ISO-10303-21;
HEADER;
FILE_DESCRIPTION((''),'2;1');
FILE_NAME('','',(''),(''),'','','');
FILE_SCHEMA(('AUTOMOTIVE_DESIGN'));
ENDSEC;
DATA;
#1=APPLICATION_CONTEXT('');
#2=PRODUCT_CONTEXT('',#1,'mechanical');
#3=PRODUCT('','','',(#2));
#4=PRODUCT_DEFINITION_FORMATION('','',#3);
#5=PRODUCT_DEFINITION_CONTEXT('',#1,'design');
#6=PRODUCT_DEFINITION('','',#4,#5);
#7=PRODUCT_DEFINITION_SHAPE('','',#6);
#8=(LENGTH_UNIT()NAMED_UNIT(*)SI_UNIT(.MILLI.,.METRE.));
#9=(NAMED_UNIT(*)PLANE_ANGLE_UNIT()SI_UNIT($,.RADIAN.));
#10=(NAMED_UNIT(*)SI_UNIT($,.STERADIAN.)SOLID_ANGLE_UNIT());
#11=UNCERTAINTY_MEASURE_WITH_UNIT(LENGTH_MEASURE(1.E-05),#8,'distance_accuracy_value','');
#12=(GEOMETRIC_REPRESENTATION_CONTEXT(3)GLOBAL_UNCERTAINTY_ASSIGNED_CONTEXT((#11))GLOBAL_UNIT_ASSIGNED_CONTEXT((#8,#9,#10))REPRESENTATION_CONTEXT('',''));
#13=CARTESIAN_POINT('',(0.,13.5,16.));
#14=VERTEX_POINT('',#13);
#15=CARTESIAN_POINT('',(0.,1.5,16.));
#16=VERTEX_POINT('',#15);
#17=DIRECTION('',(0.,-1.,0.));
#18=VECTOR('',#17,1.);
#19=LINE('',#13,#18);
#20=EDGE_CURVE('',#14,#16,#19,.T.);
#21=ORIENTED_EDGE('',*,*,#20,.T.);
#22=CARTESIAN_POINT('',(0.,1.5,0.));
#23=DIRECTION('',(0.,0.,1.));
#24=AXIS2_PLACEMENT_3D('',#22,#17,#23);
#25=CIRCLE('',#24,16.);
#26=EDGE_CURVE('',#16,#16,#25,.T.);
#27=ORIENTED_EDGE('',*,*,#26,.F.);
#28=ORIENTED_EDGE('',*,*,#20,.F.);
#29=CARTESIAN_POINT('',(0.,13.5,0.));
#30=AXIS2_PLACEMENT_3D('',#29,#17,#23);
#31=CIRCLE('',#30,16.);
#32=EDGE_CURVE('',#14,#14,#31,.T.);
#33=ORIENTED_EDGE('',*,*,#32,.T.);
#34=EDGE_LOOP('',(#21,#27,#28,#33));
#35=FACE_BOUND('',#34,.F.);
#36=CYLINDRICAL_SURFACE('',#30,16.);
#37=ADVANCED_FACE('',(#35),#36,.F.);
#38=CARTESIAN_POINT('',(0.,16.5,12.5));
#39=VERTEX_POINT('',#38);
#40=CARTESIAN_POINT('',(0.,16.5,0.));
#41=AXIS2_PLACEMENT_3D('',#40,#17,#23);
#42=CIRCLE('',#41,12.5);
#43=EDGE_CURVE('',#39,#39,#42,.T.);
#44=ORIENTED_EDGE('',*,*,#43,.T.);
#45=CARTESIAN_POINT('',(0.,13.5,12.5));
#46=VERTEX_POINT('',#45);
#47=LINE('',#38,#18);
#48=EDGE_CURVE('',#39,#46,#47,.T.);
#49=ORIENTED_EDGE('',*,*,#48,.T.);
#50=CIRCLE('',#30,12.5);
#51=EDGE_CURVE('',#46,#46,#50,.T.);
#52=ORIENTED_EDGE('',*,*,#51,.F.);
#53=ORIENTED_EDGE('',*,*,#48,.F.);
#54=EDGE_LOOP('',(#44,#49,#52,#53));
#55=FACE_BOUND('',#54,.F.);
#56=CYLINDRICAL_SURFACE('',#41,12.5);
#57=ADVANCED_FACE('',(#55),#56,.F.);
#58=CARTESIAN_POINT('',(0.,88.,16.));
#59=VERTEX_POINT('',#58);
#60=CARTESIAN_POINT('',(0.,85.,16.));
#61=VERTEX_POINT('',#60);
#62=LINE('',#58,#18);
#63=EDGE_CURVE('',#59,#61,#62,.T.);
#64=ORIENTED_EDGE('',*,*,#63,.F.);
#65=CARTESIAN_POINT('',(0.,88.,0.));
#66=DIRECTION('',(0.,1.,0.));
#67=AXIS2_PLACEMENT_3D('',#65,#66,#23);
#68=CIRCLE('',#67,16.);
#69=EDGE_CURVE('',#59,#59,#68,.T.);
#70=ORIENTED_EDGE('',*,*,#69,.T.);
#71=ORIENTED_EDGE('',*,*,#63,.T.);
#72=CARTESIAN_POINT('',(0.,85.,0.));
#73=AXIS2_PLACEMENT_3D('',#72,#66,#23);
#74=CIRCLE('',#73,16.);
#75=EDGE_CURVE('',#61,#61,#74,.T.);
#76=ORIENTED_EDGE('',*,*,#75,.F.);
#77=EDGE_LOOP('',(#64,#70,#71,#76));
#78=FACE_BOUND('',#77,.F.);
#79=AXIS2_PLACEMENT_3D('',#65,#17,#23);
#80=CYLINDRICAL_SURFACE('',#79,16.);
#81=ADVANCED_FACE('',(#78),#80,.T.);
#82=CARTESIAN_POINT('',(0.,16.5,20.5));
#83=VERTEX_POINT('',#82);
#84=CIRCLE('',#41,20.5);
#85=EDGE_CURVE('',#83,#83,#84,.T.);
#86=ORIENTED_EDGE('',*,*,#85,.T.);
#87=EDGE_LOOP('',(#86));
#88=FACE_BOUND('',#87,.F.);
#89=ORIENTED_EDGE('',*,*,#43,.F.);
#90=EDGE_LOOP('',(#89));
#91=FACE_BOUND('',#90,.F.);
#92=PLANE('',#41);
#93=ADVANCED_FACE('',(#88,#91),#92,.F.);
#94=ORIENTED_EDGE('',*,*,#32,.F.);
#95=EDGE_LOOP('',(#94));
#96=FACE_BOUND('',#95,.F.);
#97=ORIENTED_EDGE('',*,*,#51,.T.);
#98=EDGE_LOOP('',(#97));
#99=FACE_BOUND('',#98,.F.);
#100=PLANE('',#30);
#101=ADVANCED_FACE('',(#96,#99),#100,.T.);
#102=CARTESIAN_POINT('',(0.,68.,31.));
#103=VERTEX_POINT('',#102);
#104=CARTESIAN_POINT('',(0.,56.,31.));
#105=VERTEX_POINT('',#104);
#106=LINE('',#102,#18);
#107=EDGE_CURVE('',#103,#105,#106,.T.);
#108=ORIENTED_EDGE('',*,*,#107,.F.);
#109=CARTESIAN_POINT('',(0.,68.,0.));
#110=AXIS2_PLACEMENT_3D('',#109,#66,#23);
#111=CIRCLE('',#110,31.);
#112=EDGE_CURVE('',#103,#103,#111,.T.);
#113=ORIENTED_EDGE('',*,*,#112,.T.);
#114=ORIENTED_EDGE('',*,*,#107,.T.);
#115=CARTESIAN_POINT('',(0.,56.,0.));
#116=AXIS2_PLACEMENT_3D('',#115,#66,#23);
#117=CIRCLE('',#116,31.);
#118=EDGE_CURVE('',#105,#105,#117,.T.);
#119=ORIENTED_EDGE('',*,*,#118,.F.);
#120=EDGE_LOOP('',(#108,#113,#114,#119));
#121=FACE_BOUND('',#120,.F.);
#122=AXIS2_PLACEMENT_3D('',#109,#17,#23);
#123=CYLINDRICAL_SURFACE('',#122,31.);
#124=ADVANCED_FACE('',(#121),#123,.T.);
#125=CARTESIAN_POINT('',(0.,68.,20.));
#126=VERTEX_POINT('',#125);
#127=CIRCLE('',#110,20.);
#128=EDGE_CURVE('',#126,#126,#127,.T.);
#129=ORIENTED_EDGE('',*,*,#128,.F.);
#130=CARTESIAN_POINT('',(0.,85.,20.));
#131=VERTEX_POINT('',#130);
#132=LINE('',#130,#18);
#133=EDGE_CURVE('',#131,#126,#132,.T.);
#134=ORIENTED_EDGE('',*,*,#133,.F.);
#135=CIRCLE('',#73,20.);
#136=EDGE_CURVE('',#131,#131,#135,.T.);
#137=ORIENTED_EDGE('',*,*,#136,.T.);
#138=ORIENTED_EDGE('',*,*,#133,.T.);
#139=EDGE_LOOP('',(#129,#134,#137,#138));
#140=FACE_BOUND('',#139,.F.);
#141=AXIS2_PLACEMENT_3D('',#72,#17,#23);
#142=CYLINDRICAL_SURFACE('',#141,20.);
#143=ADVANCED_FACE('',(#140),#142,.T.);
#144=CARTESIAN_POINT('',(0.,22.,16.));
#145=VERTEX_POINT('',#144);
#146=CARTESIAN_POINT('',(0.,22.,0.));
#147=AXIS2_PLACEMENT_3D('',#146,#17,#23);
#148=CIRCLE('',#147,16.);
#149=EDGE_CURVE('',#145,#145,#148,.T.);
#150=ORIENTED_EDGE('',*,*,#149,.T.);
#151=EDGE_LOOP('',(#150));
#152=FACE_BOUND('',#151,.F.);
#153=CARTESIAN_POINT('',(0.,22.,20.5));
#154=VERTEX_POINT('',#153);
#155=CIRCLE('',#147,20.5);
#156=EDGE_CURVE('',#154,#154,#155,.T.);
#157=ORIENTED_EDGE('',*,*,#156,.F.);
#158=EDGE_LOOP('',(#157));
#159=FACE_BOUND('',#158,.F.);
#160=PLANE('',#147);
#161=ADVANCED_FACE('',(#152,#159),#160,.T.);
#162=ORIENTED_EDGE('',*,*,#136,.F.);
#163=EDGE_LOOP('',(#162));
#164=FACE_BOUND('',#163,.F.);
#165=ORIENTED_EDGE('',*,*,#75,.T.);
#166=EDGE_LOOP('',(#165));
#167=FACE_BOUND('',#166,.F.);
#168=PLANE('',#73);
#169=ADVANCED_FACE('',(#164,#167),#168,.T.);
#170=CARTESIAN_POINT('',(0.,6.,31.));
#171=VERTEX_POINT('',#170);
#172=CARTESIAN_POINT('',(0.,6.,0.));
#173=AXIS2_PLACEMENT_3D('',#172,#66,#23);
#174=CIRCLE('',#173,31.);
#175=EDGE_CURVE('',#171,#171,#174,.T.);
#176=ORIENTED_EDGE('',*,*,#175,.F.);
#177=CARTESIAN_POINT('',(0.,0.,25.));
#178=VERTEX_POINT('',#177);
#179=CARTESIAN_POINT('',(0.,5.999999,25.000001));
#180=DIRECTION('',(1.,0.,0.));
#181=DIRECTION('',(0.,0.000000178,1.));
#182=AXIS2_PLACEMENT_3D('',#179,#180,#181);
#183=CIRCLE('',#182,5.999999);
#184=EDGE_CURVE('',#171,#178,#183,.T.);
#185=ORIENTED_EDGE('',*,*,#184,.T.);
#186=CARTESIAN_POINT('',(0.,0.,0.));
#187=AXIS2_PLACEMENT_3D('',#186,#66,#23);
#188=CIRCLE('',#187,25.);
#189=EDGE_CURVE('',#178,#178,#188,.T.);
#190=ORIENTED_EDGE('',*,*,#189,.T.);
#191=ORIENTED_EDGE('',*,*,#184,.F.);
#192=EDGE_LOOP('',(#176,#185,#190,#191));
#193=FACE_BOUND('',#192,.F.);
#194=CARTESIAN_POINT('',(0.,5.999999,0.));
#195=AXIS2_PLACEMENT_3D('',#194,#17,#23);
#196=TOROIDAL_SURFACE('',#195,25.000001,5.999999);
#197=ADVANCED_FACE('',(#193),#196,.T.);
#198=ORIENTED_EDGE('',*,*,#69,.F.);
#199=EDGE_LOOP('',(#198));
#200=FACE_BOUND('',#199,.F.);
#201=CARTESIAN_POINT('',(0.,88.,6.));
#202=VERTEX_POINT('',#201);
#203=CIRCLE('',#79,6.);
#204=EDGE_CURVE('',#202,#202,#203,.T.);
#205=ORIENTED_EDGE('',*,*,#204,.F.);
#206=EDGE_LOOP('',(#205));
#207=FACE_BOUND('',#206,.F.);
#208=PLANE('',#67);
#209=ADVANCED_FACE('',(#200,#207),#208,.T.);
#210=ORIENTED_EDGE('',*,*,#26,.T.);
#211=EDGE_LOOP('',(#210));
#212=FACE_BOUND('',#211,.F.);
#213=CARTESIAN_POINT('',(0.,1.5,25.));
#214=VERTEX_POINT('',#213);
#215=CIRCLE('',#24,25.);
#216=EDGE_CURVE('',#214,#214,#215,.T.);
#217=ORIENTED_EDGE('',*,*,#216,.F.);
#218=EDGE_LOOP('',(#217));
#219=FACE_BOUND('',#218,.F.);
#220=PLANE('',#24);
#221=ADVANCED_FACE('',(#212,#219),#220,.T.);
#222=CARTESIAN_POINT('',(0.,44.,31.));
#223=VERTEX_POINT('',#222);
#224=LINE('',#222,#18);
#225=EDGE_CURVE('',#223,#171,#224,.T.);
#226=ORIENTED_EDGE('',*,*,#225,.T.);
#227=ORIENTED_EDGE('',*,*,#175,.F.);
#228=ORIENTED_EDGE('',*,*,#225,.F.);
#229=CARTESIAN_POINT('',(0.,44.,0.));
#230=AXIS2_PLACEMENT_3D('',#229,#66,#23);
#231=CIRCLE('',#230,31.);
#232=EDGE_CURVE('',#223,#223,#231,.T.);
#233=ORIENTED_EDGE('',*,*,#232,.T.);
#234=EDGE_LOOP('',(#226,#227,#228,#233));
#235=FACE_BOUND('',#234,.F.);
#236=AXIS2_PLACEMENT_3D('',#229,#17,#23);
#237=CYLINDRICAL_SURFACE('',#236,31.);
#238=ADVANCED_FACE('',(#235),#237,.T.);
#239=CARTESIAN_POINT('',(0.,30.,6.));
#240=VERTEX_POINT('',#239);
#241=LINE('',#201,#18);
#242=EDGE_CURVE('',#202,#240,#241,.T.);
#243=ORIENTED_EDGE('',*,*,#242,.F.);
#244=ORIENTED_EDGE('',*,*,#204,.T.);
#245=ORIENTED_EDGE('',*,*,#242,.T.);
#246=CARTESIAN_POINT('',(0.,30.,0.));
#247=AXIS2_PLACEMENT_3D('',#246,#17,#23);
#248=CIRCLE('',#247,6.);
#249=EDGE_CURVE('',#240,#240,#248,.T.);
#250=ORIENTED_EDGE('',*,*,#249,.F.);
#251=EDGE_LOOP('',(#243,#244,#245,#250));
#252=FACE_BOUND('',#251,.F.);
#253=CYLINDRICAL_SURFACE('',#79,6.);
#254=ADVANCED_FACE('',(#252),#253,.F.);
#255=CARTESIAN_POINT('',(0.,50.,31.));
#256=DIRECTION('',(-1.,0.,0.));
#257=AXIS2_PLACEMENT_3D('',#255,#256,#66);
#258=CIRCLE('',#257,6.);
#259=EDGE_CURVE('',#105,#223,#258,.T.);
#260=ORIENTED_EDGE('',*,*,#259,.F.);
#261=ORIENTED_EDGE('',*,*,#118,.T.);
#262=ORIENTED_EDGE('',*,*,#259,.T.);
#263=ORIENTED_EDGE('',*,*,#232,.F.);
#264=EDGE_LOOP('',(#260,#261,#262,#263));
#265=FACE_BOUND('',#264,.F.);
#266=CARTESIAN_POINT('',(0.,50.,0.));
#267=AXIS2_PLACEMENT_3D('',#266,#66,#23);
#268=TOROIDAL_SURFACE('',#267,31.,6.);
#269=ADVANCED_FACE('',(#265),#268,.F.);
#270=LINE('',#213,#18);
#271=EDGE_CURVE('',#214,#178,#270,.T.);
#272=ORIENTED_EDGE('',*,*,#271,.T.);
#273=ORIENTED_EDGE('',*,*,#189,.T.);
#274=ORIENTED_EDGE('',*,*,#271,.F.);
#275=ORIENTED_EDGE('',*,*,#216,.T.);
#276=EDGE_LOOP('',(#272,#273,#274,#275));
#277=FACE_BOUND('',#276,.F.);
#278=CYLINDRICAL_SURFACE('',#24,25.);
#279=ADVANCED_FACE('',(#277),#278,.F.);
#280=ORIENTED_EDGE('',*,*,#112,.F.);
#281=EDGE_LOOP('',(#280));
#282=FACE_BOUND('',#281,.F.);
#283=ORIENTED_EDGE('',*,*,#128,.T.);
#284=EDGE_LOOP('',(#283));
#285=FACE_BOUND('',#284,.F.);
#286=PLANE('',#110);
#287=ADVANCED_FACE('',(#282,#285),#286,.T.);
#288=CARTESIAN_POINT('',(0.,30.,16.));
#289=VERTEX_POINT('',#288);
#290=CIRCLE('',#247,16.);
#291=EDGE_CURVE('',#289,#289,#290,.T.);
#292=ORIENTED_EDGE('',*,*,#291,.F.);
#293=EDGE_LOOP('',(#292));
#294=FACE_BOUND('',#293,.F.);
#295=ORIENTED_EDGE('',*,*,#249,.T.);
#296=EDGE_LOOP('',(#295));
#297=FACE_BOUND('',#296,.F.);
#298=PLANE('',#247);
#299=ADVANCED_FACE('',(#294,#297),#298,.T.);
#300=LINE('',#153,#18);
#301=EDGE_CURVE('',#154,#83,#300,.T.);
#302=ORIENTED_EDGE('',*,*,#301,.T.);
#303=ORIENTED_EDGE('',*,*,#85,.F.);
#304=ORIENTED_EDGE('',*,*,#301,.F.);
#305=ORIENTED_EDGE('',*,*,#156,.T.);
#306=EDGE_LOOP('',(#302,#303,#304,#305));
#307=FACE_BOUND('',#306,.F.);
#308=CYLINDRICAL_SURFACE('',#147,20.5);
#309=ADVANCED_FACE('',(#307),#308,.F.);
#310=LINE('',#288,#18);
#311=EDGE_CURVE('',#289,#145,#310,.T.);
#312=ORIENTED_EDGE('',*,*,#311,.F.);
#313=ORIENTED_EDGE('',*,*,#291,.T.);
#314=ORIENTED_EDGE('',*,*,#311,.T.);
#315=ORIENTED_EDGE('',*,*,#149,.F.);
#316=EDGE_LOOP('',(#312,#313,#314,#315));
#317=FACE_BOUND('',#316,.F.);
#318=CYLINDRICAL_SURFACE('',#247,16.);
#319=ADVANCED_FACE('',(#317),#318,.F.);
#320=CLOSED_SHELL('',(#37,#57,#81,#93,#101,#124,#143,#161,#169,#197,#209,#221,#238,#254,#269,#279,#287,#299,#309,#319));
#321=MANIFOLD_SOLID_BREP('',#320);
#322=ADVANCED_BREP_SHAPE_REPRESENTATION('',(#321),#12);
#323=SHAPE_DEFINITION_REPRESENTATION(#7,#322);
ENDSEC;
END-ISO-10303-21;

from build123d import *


with BuildPart() as f1:
    # F0 (on Right) → F1 (revolve)
    with BuildSketch(Plane.YZ):
        with BuildLine():
            Line((0, 25), (0, 0))
            Line((0, 0), (88, 0))
            Line((88, 0), (88, 16))
            Line((88, 16), (85, 16))
            Line((85, 16), (85, 20))
            Line((85, 20), (68, 20))
            Line((68, 20), (68, 31))
            Line((68, 31), (56, 31))
            ThreePointArc((56, 31), (50, 25), (44, 31))
            Line((44, 31), (6, 31))
            ThreePointArc((6, 31), (1.757359, 29.242641), (0, 25))
        make_face()
    revolve(axis=Axis((0, 61.81017, 0), (0, 1, 0)))

    # F2 (on Right) → F3 (revolve, cut)
    with BuildSketch(Plane.YZ):
        Polygon((13.5, 12.5), (13.5, 16), (1.5, 16), (1.5, 0), (88, 0), (88, 6), (30, 6), (30, 16), (22, 16), (22, 20.5), (16.5, 20.5), (16.5, 12.5), align=None)
        Polygon((1.5, 0), (1.5, 16), (1.5, 25), (0, 25), (0, 0), align=None)
    revolve(axis=Axis((0, 44, 0), (0, -1, 0)), mode=Mode.SUBTRACT)


solid = f1.part
